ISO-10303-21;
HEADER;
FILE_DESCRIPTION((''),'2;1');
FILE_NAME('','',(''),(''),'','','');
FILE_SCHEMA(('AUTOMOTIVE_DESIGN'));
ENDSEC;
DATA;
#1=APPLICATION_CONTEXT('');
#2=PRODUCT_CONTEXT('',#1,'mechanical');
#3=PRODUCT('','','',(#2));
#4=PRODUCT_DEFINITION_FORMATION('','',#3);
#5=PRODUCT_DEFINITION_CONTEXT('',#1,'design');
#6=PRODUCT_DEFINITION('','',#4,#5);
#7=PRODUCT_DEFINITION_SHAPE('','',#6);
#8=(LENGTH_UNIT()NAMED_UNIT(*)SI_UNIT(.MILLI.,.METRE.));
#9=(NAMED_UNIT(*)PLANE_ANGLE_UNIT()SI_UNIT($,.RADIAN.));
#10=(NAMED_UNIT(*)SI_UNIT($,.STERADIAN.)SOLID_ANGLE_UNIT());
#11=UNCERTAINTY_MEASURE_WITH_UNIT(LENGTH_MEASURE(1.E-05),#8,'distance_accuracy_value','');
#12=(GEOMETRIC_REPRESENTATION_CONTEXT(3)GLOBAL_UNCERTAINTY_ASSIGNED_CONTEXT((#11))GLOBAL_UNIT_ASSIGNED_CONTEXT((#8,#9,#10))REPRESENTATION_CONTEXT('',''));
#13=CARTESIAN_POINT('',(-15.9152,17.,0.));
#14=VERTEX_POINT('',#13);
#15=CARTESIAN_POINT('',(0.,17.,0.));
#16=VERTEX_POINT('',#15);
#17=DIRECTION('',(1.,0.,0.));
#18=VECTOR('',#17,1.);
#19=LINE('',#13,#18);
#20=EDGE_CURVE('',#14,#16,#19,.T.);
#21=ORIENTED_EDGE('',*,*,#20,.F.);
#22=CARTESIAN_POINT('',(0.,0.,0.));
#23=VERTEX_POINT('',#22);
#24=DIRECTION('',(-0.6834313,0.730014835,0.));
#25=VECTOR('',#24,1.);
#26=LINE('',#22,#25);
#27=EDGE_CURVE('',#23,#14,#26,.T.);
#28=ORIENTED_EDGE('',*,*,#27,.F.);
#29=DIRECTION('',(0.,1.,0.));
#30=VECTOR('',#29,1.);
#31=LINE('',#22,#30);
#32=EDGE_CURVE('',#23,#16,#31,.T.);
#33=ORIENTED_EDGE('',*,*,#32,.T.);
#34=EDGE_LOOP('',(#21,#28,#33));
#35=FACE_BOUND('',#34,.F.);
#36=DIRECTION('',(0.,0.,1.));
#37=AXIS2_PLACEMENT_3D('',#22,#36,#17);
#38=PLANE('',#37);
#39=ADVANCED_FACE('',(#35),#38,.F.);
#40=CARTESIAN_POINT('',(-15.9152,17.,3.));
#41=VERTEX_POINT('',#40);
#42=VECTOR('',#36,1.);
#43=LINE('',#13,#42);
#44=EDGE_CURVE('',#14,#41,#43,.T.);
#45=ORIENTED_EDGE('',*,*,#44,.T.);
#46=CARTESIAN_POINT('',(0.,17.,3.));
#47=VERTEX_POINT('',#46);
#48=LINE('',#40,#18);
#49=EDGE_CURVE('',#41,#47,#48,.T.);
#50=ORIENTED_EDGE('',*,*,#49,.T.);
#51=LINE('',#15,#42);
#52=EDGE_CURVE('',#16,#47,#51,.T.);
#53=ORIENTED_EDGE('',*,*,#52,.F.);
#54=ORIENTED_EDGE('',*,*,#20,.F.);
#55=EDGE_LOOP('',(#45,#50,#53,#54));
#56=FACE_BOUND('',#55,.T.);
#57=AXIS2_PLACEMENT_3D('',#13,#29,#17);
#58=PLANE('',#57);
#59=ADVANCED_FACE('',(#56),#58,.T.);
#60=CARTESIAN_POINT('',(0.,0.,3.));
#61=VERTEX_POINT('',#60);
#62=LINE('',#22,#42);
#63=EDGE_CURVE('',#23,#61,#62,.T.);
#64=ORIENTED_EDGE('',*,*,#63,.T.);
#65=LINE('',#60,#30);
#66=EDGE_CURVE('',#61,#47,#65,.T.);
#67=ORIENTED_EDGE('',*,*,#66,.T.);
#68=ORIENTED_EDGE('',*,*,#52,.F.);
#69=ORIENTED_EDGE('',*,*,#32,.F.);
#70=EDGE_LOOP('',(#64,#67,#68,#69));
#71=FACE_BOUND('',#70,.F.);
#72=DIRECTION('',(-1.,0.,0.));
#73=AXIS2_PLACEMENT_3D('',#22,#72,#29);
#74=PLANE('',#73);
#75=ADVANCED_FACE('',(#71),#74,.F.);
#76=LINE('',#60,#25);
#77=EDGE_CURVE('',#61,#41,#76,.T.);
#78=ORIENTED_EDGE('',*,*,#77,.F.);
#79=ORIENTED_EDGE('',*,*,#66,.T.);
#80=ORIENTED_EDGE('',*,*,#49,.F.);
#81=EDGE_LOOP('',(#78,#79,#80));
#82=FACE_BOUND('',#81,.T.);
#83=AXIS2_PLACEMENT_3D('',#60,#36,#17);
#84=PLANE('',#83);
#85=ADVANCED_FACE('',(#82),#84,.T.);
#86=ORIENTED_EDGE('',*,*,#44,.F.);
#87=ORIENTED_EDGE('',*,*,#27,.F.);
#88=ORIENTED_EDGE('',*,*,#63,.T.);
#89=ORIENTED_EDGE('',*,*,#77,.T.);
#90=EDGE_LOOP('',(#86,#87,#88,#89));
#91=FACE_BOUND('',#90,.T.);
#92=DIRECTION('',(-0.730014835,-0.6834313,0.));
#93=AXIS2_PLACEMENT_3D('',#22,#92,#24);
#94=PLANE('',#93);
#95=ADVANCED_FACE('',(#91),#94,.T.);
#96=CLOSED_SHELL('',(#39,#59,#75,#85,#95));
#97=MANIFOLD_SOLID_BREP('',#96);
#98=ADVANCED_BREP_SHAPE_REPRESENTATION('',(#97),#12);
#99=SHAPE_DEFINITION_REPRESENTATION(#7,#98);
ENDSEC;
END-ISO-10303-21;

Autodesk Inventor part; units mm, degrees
ref_plane "YZ Plane" through (0, 0, 0) normal (1, 0, 0) x (0, 1, 0)
ref_plane "XZ Plane" through (0, 0, 0) normal (0, 1, 0) x (-1, 0, 0)
ref_plane "XY Plane" through (0, 0, 0) normal (0, 0, 1) x (1, 0, 0)
sketch "Boceto1" plane through (0, 0, 0) normal (0, 0, 1) x (1, 0, 0)
  line L0 (-15.9152, 17) -> (0, 17)
  line L1 (0, 0) -> (0, 17)
  line L2 (0, 0) -> (-15.9152, 17)
  point P0 (0, 0)
extrude "Extrusión1" add sketch "Boceto1" along normal blind 3
properties part number "acople 4" material "Madera (nogal)"
